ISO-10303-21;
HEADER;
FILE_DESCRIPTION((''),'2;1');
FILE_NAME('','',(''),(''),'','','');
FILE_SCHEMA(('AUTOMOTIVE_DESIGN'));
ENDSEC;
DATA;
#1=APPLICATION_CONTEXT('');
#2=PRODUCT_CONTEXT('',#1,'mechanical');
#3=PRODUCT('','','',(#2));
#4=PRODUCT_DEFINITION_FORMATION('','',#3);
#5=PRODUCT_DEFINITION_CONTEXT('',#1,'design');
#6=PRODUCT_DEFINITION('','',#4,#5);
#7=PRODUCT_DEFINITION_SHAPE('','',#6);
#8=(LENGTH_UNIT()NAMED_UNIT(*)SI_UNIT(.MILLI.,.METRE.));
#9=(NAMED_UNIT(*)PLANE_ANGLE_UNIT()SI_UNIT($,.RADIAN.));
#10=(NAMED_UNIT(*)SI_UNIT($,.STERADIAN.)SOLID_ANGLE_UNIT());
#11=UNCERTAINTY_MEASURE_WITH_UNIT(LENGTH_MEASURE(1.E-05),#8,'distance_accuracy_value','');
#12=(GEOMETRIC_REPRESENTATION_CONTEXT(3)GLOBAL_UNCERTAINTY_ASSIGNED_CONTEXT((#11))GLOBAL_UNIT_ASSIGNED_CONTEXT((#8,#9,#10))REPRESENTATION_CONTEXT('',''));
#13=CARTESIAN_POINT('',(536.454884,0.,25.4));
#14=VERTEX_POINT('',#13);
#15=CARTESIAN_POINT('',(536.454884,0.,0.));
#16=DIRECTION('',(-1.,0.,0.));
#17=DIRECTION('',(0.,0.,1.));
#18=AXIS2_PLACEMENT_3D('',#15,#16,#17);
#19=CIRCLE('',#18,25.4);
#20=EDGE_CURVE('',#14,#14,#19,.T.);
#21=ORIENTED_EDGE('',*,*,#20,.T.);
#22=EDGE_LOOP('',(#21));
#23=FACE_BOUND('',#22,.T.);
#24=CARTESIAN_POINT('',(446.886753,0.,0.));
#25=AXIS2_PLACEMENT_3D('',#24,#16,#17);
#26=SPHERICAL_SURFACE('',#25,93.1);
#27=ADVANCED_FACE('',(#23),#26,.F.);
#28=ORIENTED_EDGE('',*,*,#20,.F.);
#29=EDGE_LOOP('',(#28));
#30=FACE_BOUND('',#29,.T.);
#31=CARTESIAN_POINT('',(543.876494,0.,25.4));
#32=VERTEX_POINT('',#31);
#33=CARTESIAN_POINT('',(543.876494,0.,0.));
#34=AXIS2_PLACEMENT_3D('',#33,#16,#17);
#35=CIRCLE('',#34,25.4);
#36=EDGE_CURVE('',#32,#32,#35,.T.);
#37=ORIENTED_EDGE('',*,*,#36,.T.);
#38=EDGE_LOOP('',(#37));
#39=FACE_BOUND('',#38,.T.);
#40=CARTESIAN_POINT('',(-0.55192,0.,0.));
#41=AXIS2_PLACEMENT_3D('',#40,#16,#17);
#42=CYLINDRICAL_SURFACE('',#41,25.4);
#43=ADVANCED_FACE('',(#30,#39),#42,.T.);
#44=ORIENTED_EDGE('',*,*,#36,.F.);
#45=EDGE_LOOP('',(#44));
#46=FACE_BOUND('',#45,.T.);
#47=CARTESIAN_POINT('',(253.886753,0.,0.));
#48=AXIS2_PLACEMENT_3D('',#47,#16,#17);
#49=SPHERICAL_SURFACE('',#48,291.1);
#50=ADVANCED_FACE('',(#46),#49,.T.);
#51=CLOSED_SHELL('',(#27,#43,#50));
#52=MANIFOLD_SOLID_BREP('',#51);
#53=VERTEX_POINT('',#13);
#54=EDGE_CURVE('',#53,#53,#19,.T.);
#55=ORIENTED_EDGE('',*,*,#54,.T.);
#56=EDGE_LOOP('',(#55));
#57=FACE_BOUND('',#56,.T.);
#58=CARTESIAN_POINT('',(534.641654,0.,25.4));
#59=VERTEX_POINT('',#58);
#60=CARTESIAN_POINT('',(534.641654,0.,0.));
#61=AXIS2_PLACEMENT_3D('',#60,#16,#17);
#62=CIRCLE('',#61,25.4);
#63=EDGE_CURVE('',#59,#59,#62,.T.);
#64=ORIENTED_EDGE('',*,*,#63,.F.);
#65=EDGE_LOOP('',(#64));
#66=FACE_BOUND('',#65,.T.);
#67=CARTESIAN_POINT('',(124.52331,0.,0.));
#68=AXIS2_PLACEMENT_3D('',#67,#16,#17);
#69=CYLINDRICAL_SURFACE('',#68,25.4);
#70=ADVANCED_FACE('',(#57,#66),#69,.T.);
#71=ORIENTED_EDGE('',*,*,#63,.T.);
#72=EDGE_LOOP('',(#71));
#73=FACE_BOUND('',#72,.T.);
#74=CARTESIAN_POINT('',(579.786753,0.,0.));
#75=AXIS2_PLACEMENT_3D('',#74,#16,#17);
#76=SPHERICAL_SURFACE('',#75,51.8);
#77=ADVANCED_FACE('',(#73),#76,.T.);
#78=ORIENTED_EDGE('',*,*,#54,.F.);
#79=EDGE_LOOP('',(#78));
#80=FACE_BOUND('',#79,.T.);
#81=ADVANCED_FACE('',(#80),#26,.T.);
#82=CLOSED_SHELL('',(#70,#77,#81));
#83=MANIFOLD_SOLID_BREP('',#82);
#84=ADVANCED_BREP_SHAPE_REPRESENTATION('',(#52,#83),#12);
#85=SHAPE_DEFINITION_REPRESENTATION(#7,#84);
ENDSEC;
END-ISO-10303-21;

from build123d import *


with BuildPart() as part:
    # 草图1 one side → 旋转1 (revolve)
    with BuildSketch(Plane(origin=(0, 0, 0), x_dir=(1, 0, 0), z_dir=(0, 1, 0)), mode=Mode.PRIVATE) as revolve_1_sk:
        with BuildLine():
            ThreePointArc((534.641653818, 25.4), (529.678090551, 13.128668078), (527.98675322, 0))
            Line((527.98675322, 0), (539.98675322, 0))
            ThreePointArc((539.98675322, 0), (539.099558591, 12.822188797), (536.454883713, 25.4))
            Line((536.454883713, 25.4), (534.641653818, 25.4))
        make_face()
    revolve(revolve_1_sk.sketch.rotate(Axis((124.523309526, 0, 0), (1, 0, 0)), 180), axis=Axis((124.523309526, 0, 0), (1, 0, 0)))  # turned: the seam where the file's is


with BuildPart() as body_2:
    # 草图2 one side → 旋转3 (revolve)
    with BuildSketch(Plane(origin=(0, 0, 0), x_dir=(1, 0, 0), z_dir=(0, 1, 0)), mode=Mode.PRIVATE) as revolve_3_sk:
        with BuildLine():
            Line((543.876494418, 25.4), (536.454883713, 25.4))
            ThreePointArc((536.454883713, 25.4), (539.099558591, 12.822188797), (539.98675322, 0))
            Line((539.98675322, 0), (544.98675322, 0))
            ThreePointArc((544.98675322, 0), (544.709056064, 12.712126834), (543.876494418, 25.4))
        make_face()
    revolve(revolve_3_sk.sketch.rotate(Axis((-0.551919993, 0, 0), (1, 0, 0)), 180), axis=Axis((-0.551919993, 0, 0), (1, 0, 0)))  # turned: the seam where the file's is


solid = Compound([part.part, body_2.part])
